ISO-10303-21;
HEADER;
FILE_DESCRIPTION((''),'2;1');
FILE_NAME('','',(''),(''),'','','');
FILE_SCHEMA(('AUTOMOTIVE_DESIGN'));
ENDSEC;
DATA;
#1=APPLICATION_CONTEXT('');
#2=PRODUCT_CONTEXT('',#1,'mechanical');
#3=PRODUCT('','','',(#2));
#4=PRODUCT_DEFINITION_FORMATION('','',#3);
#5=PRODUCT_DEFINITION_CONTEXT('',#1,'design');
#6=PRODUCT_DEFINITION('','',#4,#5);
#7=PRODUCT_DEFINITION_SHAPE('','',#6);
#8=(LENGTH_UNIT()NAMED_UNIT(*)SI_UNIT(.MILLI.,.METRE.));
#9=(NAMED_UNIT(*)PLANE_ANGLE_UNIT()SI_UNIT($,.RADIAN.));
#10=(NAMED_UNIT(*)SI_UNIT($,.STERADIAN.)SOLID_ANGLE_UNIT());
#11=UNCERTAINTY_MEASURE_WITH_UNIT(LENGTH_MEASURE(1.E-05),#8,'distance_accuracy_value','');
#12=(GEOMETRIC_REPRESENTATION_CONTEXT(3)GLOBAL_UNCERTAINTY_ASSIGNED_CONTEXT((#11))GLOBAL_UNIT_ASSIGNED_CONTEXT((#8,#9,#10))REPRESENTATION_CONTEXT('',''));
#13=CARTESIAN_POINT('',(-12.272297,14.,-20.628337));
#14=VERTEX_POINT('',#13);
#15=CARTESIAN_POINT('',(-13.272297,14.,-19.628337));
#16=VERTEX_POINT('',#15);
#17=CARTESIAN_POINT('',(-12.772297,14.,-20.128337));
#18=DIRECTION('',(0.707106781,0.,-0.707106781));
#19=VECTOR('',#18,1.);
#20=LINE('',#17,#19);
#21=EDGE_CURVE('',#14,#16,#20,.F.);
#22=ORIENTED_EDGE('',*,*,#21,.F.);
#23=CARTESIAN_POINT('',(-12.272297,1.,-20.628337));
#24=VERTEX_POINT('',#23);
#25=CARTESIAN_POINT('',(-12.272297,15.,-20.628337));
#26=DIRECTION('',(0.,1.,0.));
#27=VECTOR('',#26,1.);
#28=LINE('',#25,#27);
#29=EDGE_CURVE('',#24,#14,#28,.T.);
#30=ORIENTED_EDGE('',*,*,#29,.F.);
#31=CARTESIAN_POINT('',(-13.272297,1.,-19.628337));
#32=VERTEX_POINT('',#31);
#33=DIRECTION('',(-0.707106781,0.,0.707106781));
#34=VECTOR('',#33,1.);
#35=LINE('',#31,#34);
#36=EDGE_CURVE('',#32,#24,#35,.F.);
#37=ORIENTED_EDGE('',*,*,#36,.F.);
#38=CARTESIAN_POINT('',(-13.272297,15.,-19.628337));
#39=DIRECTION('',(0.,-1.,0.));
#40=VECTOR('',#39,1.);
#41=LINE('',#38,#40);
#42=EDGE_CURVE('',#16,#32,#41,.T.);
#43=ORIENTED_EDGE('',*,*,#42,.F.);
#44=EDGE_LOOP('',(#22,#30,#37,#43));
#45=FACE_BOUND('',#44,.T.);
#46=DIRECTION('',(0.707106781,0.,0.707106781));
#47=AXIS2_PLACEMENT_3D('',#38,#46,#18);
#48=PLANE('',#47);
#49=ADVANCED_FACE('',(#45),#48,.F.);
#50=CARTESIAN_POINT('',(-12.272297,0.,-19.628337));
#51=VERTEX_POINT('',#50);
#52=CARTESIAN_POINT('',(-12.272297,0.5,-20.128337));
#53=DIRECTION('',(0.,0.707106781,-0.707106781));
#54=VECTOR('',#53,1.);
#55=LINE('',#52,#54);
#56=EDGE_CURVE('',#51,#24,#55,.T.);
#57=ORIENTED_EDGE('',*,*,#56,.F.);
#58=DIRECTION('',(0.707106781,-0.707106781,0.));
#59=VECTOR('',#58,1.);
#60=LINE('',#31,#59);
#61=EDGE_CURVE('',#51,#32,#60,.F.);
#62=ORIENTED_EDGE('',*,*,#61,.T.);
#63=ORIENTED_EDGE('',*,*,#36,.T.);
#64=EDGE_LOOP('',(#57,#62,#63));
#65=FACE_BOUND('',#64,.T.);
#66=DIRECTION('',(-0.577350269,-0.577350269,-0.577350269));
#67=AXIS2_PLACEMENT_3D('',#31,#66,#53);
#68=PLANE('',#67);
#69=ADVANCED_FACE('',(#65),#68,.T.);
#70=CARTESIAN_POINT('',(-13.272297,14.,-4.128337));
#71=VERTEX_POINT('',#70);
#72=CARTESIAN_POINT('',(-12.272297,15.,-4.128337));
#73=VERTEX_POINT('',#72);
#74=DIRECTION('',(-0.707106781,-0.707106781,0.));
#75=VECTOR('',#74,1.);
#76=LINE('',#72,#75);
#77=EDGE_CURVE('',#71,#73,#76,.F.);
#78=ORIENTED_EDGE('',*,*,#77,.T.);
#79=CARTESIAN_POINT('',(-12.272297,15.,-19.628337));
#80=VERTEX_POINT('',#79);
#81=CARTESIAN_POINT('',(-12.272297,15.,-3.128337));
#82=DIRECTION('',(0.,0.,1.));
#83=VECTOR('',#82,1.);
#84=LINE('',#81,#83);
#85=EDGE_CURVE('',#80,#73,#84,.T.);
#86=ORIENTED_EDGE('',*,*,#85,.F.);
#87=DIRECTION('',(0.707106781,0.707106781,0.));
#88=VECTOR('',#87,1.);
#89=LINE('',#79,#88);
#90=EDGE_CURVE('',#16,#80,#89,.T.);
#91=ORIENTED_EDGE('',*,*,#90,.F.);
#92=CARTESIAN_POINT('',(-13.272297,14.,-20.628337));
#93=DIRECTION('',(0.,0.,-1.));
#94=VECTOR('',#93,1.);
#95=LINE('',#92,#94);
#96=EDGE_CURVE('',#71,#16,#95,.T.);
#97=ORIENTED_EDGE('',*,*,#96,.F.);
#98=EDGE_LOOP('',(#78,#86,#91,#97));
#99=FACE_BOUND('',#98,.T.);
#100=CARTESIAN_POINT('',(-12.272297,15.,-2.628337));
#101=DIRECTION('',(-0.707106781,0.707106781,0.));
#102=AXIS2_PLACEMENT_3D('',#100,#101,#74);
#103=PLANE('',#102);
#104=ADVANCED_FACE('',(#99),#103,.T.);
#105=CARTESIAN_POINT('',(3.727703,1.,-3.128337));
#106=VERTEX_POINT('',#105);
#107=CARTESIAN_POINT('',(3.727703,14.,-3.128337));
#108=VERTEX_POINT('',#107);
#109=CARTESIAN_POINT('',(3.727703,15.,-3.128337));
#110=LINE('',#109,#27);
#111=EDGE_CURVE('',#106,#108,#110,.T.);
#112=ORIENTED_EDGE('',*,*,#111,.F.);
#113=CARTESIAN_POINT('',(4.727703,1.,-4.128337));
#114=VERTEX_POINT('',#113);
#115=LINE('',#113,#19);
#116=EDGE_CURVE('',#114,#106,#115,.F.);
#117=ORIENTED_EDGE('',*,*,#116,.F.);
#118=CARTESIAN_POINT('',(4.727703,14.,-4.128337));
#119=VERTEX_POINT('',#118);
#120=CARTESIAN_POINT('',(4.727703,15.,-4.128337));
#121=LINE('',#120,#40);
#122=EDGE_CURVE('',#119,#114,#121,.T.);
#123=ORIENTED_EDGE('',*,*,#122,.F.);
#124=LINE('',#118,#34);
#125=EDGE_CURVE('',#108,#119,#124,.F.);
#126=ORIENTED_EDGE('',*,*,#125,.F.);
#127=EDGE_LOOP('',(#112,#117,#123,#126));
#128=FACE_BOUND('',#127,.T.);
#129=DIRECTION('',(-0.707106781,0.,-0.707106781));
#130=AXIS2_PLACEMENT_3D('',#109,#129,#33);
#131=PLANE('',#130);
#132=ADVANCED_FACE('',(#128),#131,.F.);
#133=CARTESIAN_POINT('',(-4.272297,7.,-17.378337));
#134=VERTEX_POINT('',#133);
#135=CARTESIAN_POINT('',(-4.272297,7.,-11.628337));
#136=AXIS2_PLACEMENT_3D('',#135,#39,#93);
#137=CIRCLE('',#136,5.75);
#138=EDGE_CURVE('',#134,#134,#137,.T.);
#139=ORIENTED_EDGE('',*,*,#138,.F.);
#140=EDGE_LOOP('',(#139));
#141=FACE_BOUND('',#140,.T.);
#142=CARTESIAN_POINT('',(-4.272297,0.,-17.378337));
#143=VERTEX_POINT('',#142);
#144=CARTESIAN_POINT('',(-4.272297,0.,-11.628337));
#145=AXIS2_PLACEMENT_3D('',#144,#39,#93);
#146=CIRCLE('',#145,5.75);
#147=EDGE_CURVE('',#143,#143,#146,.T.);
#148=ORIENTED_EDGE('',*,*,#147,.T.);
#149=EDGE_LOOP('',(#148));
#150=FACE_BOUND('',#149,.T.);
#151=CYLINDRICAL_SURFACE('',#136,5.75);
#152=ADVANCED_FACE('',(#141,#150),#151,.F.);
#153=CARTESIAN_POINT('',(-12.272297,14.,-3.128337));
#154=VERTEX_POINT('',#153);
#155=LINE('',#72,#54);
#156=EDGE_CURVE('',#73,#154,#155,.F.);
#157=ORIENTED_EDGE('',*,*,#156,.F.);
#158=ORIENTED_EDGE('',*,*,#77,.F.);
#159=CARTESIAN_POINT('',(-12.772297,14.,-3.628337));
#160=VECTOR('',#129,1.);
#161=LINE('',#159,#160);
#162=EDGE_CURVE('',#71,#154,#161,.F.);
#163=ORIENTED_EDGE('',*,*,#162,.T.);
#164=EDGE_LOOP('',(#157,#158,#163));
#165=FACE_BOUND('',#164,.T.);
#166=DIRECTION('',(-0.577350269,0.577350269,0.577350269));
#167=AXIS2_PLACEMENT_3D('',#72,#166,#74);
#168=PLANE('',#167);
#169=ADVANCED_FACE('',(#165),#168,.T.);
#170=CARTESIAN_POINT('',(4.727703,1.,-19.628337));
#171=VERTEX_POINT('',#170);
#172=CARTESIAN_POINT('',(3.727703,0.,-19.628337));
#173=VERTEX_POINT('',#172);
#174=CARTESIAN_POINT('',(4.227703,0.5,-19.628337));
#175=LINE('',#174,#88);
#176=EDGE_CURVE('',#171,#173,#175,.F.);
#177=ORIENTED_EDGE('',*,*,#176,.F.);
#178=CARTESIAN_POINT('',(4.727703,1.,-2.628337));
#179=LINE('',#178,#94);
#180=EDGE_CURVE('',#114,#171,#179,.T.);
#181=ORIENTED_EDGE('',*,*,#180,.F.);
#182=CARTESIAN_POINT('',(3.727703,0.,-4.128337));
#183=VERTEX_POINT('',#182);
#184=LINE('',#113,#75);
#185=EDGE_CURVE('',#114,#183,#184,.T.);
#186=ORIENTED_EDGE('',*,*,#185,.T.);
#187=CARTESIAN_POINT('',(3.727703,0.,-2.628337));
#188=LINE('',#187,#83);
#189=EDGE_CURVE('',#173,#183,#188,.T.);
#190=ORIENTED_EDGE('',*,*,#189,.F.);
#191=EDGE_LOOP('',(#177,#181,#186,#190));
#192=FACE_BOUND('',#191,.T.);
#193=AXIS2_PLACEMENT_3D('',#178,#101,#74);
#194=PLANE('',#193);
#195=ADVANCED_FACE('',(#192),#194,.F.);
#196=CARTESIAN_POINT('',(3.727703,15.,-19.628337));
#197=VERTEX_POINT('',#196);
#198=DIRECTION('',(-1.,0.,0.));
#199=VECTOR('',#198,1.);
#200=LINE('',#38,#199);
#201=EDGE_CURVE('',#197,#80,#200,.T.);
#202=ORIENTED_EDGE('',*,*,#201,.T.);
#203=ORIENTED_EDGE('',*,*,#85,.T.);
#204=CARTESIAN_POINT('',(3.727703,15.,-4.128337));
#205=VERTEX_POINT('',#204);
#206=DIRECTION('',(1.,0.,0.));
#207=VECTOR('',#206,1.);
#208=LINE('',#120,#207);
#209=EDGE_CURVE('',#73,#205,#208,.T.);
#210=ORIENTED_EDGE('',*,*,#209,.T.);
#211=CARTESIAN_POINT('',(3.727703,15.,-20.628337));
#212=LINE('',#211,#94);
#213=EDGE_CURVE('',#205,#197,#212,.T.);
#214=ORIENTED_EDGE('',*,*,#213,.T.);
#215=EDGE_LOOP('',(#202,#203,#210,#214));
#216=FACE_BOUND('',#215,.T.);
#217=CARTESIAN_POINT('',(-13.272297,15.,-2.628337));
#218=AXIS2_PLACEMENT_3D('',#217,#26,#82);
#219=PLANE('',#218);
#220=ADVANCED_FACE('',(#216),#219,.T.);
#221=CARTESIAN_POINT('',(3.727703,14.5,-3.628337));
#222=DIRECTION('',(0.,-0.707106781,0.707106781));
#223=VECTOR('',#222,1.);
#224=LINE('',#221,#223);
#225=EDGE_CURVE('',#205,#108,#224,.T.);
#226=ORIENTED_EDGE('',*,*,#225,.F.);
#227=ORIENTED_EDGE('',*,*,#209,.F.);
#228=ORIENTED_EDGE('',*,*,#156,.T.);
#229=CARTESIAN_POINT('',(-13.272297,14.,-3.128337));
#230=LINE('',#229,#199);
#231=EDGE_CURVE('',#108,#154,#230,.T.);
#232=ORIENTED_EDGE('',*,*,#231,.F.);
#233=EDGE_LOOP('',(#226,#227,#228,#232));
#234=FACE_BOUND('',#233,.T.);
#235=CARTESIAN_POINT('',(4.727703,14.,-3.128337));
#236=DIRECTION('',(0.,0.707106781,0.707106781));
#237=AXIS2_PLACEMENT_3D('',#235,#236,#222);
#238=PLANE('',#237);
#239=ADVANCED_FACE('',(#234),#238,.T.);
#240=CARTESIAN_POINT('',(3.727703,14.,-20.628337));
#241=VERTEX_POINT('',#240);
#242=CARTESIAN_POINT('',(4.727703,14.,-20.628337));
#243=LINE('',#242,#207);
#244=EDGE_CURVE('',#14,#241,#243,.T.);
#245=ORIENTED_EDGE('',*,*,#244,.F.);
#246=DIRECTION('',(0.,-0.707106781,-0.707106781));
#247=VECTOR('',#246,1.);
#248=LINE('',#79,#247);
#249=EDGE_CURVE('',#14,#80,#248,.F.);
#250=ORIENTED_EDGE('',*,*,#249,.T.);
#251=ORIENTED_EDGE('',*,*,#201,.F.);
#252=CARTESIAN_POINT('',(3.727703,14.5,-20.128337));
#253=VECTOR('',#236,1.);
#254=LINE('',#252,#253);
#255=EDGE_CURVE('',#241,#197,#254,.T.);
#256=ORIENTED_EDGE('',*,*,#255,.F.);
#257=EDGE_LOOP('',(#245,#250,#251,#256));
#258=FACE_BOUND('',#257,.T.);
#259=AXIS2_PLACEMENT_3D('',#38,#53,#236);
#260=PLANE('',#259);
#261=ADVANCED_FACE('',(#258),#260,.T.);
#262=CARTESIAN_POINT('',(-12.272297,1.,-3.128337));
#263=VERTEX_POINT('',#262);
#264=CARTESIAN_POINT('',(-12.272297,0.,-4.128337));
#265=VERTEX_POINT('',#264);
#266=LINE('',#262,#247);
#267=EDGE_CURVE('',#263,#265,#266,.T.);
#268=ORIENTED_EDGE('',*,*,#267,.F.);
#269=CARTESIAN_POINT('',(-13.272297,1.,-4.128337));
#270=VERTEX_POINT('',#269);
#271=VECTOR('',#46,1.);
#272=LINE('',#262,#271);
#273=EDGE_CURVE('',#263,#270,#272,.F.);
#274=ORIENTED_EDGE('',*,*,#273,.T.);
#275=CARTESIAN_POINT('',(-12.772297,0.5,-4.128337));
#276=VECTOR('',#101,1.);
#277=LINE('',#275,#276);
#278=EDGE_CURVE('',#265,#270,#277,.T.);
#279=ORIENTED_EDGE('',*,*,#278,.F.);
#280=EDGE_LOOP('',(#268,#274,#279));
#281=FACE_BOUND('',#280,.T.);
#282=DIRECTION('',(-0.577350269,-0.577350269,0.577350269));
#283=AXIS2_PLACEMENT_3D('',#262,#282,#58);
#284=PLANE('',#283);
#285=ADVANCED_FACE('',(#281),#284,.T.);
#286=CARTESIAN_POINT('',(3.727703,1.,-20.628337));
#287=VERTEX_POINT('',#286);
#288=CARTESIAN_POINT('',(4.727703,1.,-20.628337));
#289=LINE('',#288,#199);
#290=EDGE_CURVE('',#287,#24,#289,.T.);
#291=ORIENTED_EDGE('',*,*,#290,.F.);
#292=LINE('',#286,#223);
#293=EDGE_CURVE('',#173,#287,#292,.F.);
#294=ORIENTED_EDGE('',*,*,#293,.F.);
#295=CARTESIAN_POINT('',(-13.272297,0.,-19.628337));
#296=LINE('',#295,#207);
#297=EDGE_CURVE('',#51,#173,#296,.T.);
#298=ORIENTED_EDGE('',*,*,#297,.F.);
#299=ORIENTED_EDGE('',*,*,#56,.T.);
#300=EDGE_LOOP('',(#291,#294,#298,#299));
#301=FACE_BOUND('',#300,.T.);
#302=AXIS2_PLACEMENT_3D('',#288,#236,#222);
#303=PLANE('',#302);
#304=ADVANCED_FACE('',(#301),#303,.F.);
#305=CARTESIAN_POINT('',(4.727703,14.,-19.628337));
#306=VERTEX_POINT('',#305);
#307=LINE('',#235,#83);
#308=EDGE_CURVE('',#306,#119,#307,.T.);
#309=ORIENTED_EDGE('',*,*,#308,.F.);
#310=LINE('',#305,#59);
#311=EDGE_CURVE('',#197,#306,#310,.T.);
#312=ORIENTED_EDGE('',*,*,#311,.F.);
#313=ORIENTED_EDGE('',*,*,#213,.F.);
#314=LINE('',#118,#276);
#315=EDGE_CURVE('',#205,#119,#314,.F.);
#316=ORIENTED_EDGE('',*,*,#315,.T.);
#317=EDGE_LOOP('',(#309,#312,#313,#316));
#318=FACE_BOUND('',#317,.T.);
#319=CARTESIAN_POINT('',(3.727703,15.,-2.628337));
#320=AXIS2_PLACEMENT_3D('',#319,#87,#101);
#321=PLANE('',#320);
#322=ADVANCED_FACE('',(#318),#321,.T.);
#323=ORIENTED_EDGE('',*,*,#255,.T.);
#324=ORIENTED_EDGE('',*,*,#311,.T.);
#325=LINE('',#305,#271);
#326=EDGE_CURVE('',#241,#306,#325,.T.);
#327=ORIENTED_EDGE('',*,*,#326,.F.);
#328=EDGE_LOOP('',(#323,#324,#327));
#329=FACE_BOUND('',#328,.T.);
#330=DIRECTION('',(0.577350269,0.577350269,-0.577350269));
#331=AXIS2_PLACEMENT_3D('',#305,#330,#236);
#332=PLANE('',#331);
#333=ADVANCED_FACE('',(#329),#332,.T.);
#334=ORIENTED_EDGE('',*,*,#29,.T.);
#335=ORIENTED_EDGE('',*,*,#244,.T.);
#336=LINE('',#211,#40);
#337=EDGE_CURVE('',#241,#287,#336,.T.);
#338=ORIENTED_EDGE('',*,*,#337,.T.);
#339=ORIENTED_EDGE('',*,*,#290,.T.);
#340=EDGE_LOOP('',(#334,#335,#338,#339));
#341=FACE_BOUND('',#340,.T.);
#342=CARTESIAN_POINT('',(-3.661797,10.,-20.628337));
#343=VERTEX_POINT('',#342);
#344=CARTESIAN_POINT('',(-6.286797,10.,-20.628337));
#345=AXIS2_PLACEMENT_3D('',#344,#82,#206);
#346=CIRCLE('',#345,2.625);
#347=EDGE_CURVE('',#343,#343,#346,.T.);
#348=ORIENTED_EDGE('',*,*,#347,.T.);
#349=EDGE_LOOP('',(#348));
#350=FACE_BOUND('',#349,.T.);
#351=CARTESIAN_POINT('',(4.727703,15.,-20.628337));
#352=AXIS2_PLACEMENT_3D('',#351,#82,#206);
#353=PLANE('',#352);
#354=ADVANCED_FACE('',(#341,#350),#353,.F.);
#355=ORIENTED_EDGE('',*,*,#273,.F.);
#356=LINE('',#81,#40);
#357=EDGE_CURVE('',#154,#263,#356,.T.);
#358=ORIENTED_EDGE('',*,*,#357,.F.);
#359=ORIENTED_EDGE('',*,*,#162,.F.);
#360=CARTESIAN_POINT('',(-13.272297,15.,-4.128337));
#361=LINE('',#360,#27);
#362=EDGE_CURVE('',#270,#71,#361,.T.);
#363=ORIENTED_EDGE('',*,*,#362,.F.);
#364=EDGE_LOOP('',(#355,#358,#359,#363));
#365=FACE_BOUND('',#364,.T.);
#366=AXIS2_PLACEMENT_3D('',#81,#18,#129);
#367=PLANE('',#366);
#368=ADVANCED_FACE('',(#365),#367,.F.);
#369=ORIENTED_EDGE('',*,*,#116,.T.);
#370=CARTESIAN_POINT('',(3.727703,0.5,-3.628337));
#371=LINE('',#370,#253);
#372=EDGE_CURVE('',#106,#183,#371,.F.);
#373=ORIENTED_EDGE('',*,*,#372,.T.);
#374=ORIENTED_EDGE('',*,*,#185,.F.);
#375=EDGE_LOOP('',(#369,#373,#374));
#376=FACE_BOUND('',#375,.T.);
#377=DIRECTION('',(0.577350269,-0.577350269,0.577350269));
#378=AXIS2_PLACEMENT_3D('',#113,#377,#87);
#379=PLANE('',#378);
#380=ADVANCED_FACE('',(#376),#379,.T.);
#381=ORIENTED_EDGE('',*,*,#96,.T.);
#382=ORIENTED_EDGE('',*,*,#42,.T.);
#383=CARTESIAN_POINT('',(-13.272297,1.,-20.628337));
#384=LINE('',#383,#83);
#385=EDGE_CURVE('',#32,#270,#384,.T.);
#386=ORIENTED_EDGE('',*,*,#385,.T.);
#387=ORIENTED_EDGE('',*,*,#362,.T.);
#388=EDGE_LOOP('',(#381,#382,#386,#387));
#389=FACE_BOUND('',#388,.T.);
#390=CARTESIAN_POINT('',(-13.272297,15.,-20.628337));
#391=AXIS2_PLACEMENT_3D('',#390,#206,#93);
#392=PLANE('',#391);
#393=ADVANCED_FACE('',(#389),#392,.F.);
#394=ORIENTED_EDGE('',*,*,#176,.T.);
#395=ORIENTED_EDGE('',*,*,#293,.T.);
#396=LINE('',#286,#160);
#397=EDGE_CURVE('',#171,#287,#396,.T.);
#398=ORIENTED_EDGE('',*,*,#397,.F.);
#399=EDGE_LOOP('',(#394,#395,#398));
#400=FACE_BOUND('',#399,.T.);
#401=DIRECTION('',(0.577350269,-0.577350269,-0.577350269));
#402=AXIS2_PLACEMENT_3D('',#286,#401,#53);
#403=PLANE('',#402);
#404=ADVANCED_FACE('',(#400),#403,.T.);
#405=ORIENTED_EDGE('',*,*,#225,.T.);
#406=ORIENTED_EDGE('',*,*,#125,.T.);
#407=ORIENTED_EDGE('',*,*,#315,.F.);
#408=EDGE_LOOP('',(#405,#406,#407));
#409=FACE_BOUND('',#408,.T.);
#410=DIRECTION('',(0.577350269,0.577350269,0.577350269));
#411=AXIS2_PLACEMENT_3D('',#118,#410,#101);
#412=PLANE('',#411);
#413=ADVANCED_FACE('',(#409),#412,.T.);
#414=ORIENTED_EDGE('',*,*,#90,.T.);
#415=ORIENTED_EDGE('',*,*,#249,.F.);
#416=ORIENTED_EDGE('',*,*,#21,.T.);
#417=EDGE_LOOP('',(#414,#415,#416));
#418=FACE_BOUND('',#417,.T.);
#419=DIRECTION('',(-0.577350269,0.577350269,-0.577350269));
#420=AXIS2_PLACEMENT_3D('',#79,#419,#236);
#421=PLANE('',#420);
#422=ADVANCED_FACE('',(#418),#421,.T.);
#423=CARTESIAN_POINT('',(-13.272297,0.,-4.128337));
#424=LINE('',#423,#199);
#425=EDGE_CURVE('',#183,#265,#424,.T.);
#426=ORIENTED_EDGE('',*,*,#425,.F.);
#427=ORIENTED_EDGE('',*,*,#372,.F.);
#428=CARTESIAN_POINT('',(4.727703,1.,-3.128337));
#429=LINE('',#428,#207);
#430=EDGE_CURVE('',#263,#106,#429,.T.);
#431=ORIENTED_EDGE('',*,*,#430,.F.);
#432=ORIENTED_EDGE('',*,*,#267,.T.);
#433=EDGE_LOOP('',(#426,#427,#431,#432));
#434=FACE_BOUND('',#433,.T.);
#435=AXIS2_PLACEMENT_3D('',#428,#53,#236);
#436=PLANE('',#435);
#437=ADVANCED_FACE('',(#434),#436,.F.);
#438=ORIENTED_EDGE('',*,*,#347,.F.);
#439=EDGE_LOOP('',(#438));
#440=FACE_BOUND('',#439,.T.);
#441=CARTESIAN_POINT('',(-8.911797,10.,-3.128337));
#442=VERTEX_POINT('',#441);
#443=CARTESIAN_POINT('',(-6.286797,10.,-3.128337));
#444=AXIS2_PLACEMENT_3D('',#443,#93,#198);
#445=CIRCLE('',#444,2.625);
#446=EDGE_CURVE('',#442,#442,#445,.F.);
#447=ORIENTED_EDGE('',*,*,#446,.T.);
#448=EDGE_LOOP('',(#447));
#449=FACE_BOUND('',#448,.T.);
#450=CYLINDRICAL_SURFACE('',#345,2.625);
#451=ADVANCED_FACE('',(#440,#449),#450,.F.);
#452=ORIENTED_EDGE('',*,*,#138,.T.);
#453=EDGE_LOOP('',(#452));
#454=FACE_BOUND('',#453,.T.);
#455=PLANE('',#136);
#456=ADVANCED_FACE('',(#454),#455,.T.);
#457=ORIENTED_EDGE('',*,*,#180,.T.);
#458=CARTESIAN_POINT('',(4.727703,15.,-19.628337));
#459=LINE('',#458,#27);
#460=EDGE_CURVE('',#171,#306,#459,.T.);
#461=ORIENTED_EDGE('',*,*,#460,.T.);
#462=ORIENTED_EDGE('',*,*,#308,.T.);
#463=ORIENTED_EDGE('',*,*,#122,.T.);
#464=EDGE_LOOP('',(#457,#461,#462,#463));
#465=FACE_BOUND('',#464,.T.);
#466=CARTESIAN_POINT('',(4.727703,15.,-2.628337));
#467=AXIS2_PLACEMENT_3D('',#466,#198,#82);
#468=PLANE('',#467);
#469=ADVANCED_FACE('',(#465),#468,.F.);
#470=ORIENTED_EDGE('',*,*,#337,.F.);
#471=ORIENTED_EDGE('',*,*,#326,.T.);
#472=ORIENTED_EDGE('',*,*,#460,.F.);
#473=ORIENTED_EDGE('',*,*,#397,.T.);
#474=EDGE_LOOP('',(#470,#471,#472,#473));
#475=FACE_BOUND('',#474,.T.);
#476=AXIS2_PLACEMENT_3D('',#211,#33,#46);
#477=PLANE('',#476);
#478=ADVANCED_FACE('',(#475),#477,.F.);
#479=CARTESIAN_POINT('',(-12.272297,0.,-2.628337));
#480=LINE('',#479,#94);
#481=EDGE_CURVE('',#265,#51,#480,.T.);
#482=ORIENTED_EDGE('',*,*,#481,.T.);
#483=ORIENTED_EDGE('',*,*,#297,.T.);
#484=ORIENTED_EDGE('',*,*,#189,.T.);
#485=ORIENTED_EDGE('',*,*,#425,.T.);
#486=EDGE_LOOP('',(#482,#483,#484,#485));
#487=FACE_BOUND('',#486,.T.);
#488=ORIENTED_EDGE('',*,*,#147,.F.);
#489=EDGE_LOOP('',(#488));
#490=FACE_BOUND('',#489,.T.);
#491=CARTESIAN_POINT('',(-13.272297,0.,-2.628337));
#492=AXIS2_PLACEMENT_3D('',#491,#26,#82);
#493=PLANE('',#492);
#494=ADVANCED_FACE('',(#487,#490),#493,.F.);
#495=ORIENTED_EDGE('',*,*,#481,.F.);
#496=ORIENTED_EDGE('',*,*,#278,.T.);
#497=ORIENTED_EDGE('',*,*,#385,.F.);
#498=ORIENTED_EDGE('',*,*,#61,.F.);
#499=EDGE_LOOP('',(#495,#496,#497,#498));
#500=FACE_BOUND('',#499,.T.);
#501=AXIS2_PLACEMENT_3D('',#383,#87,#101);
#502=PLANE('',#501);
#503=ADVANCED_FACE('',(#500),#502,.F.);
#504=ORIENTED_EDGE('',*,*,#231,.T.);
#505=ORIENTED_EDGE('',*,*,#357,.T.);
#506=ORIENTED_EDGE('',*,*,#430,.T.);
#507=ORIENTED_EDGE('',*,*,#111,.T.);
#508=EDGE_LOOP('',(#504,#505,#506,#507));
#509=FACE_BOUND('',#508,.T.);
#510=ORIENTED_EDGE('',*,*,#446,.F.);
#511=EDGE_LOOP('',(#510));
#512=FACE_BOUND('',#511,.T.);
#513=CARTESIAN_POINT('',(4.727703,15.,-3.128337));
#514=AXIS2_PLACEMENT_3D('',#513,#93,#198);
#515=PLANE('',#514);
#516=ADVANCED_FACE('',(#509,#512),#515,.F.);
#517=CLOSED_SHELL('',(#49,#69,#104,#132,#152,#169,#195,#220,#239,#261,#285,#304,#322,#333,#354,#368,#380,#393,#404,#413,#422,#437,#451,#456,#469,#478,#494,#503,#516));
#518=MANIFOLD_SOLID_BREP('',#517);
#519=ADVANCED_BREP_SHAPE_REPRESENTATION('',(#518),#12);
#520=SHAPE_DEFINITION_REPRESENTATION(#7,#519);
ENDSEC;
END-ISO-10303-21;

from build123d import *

# Parameters (mm, degrees)
SKETCH1_W           = 18
SKETCH1_H           = 18
BOSS_EXTRUDE1_DEPTH = 15
SKETCH2_R           = 2.625
CUT_EXTRUDE1_DEPTH  = 19
SKETCH3_R           = 5.75
CUT_EXTRUDE2_DEPTH  = 7
SKETCH5_W           = 18
SKETCH5_H           = 15
CUT_EXTRUDE3_DEPTH  = 0.5
CHAMFER1_SIZE       = 1


with BuildPart() as part:
    # Sketch1 → Boss-Extrude1 (new body)
    with BuildSketch(Plane(origin=(0, 0, 0), x_dir=(1, 0, 0), z_dir=(0, 1, 0))):
        with Locations((-4.272296667, 11.628336988)):
            Rectangle(SKETCH1_W, SKETCH1_H)
    extrude(amount=BOSS_EXTRUDE1_DEPTH)

    # Sketch2 → Cut-Extrude1 (cut, through all)
    with BuildSketch(Plane.XY.offset(-2.628336988)):
        with Locations((-6.286796667, 10)):
            Circle(SKETCH2_R)
    extrude(amount=-CUT_EXTRUDE1_DEPTH, mode=Mode.SUBTRACT)

    # Sketch3 → Cut-Extrude2 (cut)
    with BuildSketch(Plane.XZ):
        with Locations((-4.272296667, -11.628336988)):
            Circle(SKETCH3_R)
    extrude(amount=-CUT_EXTRUDE2_DEPTH, mode=Mode.SUBTRACT)

    # Sketch5 → Cut-Extrude3 (cut)
    with BuildSketch(Plane.XY.offset(-2.628336988)):
        with Locations((-4.272296667, 7.5)):
            Rectangle(SKETCH5_W, SKETCH5_H)
    extrude(amount=-CUT_EXTRUDE3_DEPTH, mode=Mode.SUBTRACT)

    # Chamfer1
    chamfer1_edges = [part.edges().sort_by_distance(p)[0] for p in [
        (-4.272296667, 15, -20.628336988),
        (4.727703333, 0, -11.878336988),
        (4.727703333, 15, -11.878336988),
        (-4.272296667, 15, -3.128336988),
        (4.727703333, 7.5, -3.128336988),
        (-4.272296667, 0, -3.128336988),
        (-13.272296667, 7.5, -3.128336988),
        (-13.272296667, 15, -11.878336988),
        (-4.272296667, 0, -20.628336988),
        (-13.272296667, 0, -11.878336988),
        (-13.272296667, 7.5, -20.628336988),
        (4.727703333, 7.5, -20.628336988),
    ]]
    chamfer(chamfer1_edges, length=CHAMFER1_SIZE)


solid = part.part
